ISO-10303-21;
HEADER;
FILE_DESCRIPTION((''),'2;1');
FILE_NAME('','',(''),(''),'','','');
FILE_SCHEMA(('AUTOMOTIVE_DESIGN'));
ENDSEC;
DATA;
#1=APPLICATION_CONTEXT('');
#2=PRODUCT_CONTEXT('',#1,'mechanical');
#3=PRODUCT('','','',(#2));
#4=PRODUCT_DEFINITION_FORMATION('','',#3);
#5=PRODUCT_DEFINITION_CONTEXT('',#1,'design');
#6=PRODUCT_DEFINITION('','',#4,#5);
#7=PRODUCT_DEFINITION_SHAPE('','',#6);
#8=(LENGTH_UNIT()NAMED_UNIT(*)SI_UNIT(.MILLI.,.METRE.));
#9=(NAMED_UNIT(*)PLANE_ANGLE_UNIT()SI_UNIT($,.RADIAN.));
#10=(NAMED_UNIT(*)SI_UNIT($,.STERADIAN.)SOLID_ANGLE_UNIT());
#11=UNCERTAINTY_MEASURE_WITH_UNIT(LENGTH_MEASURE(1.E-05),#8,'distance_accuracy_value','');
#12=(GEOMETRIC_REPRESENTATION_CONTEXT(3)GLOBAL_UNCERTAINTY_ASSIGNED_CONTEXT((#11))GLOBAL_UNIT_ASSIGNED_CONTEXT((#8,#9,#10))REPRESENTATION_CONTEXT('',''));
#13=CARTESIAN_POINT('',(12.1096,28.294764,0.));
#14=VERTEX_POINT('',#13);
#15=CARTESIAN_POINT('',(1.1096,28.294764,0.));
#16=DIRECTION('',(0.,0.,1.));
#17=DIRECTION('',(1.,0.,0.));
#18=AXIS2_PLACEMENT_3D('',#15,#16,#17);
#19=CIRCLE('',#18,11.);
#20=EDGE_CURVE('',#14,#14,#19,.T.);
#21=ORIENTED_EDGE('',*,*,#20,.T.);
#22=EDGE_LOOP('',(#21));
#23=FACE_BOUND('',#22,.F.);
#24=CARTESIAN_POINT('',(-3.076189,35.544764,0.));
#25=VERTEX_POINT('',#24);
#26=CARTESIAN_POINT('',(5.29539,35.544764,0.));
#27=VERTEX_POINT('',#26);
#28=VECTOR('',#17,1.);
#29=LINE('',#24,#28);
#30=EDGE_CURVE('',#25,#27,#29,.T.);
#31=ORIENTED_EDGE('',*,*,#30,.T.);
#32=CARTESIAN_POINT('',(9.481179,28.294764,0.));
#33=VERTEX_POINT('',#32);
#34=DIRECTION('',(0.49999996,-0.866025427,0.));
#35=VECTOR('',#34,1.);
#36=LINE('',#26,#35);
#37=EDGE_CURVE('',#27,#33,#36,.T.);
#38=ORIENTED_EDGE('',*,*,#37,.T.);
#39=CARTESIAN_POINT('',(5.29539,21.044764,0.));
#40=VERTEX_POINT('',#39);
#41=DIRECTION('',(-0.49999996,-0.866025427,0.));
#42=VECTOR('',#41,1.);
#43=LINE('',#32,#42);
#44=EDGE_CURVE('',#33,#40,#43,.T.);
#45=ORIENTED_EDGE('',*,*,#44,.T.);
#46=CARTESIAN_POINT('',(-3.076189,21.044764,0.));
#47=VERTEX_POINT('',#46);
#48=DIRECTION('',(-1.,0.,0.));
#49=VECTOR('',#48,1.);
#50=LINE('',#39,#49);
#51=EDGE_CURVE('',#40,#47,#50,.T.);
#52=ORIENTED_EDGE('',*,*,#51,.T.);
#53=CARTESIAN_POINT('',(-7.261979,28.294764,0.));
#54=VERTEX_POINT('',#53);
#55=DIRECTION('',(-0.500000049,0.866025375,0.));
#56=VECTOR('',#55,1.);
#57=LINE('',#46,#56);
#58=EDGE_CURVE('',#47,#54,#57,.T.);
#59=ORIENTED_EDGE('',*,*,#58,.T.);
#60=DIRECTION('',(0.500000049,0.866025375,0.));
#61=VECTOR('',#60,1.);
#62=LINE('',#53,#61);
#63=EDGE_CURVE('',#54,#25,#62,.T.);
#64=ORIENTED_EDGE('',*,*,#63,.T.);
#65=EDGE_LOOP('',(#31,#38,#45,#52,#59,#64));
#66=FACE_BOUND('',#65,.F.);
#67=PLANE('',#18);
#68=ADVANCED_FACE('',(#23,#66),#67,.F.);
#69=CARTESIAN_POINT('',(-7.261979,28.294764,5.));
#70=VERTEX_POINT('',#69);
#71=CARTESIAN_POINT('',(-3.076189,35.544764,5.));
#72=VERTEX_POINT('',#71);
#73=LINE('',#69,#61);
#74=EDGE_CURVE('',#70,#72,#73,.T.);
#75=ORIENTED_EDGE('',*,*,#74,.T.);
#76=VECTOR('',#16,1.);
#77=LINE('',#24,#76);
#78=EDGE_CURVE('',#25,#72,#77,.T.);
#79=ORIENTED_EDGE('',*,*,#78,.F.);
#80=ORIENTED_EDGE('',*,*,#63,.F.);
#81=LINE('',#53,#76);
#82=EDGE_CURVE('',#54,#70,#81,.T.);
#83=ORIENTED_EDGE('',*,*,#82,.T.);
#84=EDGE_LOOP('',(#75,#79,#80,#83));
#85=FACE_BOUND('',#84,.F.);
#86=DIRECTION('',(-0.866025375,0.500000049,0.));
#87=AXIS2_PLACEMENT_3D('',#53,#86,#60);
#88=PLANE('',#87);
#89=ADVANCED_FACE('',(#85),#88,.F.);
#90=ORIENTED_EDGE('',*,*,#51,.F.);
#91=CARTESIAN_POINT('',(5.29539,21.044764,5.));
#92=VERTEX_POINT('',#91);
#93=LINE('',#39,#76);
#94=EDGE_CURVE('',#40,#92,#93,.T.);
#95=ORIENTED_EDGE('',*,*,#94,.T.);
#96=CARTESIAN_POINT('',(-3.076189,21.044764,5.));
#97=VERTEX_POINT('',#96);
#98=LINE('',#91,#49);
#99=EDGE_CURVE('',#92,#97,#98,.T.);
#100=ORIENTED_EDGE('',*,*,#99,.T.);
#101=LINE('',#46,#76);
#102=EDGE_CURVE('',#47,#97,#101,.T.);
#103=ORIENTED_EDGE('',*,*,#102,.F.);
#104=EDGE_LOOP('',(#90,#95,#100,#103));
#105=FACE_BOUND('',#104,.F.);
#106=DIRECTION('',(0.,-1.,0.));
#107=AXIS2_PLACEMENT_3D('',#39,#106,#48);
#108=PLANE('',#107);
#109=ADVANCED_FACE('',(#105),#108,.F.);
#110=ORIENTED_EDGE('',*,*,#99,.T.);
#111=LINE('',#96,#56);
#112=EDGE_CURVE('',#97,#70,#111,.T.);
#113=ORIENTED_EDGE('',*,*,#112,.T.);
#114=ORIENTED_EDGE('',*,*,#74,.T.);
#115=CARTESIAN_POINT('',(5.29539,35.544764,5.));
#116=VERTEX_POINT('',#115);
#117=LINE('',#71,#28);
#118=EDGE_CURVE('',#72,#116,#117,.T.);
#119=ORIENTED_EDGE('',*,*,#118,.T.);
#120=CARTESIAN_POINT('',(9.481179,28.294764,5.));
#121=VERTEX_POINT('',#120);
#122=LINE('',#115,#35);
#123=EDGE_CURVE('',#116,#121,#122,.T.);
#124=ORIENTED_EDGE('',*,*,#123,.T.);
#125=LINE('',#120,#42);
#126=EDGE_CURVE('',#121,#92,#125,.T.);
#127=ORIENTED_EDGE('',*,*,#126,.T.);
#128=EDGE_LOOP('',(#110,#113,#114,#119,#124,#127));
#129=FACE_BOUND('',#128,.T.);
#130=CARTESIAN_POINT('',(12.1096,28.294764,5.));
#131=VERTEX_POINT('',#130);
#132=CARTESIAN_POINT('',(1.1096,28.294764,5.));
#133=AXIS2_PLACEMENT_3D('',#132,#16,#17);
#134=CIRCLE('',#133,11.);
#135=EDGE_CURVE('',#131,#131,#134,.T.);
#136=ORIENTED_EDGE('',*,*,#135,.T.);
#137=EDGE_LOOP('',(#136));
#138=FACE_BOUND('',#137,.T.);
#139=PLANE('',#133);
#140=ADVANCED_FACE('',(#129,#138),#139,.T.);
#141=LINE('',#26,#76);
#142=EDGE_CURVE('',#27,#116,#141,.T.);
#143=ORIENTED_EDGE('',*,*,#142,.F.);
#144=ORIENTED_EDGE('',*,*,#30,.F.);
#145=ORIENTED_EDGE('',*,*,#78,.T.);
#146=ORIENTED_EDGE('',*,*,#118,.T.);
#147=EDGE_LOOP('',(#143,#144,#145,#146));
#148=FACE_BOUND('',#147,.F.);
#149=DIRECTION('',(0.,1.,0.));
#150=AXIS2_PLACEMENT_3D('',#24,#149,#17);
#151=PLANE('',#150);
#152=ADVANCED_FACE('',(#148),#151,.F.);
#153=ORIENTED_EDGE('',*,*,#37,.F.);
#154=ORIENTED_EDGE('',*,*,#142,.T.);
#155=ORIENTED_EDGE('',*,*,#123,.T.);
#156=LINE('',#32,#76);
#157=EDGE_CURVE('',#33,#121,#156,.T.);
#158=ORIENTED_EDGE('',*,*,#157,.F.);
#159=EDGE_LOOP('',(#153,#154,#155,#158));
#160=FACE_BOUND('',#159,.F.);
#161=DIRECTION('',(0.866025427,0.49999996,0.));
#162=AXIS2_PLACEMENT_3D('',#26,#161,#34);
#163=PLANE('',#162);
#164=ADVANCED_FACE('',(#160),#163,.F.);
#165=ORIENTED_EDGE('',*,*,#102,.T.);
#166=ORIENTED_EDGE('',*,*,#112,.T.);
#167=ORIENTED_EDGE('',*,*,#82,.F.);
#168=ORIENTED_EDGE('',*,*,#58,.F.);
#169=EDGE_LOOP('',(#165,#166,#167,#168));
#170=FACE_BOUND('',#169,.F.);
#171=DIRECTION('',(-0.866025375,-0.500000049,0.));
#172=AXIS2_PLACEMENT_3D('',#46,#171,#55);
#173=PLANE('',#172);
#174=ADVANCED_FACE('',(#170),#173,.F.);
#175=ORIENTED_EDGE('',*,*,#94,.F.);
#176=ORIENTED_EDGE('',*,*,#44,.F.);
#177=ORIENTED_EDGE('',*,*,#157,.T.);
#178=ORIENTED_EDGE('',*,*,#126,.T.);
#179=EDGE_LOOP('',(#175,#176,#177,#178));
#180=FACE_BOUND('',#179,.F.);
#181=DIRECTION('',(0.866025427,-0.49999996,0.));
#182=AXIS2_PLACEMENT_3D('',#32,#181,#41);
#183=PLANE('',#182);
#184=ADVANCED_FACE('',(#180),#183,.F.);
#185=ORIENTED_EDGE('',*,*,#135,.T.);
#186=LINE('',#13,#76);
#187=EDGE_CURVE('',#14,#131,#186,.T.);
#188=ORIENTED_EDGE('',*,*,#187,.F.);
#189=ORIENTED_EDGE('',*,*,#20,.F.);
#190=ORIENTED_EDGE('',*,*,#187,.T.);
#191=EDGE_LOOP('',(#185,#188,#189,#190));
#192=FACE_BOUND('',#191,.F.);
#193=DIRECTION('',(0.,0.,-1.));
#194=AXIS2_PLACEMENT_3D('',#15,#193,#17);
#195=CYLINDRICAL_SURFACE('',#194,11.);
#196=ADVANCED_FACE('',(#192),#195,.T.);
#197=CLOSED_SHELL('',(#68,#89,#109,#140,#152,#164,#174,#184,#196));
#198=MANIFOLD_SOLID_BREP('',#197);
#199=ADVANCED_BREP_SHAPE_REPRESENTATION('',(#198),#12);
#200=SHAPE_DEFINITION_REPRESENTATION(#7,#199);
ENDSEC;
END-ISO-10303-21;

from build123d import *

# Parameters (mm, degrees)
F0_R     = 11
F1_DEPTH = 5


with BuildPart() as f1:
    # F0 (on Top) → F1 (new body)
    with BuildSketch(Plane.XY):
        with Locations((1.1096, 28.294764)):
            Circle(F0_R)
        Polygon((-7.261979, 28.294764), (-3.076189, 35.544764), (5.29539, 35.544764), (9.481179, 28.294764), (5.29539, 21.044764), (-3.076189, 21.044764), align=None, mode=Mode.SUBTRACT)
    extrude(amount=F1_DEPTH)


solid = f1.part
